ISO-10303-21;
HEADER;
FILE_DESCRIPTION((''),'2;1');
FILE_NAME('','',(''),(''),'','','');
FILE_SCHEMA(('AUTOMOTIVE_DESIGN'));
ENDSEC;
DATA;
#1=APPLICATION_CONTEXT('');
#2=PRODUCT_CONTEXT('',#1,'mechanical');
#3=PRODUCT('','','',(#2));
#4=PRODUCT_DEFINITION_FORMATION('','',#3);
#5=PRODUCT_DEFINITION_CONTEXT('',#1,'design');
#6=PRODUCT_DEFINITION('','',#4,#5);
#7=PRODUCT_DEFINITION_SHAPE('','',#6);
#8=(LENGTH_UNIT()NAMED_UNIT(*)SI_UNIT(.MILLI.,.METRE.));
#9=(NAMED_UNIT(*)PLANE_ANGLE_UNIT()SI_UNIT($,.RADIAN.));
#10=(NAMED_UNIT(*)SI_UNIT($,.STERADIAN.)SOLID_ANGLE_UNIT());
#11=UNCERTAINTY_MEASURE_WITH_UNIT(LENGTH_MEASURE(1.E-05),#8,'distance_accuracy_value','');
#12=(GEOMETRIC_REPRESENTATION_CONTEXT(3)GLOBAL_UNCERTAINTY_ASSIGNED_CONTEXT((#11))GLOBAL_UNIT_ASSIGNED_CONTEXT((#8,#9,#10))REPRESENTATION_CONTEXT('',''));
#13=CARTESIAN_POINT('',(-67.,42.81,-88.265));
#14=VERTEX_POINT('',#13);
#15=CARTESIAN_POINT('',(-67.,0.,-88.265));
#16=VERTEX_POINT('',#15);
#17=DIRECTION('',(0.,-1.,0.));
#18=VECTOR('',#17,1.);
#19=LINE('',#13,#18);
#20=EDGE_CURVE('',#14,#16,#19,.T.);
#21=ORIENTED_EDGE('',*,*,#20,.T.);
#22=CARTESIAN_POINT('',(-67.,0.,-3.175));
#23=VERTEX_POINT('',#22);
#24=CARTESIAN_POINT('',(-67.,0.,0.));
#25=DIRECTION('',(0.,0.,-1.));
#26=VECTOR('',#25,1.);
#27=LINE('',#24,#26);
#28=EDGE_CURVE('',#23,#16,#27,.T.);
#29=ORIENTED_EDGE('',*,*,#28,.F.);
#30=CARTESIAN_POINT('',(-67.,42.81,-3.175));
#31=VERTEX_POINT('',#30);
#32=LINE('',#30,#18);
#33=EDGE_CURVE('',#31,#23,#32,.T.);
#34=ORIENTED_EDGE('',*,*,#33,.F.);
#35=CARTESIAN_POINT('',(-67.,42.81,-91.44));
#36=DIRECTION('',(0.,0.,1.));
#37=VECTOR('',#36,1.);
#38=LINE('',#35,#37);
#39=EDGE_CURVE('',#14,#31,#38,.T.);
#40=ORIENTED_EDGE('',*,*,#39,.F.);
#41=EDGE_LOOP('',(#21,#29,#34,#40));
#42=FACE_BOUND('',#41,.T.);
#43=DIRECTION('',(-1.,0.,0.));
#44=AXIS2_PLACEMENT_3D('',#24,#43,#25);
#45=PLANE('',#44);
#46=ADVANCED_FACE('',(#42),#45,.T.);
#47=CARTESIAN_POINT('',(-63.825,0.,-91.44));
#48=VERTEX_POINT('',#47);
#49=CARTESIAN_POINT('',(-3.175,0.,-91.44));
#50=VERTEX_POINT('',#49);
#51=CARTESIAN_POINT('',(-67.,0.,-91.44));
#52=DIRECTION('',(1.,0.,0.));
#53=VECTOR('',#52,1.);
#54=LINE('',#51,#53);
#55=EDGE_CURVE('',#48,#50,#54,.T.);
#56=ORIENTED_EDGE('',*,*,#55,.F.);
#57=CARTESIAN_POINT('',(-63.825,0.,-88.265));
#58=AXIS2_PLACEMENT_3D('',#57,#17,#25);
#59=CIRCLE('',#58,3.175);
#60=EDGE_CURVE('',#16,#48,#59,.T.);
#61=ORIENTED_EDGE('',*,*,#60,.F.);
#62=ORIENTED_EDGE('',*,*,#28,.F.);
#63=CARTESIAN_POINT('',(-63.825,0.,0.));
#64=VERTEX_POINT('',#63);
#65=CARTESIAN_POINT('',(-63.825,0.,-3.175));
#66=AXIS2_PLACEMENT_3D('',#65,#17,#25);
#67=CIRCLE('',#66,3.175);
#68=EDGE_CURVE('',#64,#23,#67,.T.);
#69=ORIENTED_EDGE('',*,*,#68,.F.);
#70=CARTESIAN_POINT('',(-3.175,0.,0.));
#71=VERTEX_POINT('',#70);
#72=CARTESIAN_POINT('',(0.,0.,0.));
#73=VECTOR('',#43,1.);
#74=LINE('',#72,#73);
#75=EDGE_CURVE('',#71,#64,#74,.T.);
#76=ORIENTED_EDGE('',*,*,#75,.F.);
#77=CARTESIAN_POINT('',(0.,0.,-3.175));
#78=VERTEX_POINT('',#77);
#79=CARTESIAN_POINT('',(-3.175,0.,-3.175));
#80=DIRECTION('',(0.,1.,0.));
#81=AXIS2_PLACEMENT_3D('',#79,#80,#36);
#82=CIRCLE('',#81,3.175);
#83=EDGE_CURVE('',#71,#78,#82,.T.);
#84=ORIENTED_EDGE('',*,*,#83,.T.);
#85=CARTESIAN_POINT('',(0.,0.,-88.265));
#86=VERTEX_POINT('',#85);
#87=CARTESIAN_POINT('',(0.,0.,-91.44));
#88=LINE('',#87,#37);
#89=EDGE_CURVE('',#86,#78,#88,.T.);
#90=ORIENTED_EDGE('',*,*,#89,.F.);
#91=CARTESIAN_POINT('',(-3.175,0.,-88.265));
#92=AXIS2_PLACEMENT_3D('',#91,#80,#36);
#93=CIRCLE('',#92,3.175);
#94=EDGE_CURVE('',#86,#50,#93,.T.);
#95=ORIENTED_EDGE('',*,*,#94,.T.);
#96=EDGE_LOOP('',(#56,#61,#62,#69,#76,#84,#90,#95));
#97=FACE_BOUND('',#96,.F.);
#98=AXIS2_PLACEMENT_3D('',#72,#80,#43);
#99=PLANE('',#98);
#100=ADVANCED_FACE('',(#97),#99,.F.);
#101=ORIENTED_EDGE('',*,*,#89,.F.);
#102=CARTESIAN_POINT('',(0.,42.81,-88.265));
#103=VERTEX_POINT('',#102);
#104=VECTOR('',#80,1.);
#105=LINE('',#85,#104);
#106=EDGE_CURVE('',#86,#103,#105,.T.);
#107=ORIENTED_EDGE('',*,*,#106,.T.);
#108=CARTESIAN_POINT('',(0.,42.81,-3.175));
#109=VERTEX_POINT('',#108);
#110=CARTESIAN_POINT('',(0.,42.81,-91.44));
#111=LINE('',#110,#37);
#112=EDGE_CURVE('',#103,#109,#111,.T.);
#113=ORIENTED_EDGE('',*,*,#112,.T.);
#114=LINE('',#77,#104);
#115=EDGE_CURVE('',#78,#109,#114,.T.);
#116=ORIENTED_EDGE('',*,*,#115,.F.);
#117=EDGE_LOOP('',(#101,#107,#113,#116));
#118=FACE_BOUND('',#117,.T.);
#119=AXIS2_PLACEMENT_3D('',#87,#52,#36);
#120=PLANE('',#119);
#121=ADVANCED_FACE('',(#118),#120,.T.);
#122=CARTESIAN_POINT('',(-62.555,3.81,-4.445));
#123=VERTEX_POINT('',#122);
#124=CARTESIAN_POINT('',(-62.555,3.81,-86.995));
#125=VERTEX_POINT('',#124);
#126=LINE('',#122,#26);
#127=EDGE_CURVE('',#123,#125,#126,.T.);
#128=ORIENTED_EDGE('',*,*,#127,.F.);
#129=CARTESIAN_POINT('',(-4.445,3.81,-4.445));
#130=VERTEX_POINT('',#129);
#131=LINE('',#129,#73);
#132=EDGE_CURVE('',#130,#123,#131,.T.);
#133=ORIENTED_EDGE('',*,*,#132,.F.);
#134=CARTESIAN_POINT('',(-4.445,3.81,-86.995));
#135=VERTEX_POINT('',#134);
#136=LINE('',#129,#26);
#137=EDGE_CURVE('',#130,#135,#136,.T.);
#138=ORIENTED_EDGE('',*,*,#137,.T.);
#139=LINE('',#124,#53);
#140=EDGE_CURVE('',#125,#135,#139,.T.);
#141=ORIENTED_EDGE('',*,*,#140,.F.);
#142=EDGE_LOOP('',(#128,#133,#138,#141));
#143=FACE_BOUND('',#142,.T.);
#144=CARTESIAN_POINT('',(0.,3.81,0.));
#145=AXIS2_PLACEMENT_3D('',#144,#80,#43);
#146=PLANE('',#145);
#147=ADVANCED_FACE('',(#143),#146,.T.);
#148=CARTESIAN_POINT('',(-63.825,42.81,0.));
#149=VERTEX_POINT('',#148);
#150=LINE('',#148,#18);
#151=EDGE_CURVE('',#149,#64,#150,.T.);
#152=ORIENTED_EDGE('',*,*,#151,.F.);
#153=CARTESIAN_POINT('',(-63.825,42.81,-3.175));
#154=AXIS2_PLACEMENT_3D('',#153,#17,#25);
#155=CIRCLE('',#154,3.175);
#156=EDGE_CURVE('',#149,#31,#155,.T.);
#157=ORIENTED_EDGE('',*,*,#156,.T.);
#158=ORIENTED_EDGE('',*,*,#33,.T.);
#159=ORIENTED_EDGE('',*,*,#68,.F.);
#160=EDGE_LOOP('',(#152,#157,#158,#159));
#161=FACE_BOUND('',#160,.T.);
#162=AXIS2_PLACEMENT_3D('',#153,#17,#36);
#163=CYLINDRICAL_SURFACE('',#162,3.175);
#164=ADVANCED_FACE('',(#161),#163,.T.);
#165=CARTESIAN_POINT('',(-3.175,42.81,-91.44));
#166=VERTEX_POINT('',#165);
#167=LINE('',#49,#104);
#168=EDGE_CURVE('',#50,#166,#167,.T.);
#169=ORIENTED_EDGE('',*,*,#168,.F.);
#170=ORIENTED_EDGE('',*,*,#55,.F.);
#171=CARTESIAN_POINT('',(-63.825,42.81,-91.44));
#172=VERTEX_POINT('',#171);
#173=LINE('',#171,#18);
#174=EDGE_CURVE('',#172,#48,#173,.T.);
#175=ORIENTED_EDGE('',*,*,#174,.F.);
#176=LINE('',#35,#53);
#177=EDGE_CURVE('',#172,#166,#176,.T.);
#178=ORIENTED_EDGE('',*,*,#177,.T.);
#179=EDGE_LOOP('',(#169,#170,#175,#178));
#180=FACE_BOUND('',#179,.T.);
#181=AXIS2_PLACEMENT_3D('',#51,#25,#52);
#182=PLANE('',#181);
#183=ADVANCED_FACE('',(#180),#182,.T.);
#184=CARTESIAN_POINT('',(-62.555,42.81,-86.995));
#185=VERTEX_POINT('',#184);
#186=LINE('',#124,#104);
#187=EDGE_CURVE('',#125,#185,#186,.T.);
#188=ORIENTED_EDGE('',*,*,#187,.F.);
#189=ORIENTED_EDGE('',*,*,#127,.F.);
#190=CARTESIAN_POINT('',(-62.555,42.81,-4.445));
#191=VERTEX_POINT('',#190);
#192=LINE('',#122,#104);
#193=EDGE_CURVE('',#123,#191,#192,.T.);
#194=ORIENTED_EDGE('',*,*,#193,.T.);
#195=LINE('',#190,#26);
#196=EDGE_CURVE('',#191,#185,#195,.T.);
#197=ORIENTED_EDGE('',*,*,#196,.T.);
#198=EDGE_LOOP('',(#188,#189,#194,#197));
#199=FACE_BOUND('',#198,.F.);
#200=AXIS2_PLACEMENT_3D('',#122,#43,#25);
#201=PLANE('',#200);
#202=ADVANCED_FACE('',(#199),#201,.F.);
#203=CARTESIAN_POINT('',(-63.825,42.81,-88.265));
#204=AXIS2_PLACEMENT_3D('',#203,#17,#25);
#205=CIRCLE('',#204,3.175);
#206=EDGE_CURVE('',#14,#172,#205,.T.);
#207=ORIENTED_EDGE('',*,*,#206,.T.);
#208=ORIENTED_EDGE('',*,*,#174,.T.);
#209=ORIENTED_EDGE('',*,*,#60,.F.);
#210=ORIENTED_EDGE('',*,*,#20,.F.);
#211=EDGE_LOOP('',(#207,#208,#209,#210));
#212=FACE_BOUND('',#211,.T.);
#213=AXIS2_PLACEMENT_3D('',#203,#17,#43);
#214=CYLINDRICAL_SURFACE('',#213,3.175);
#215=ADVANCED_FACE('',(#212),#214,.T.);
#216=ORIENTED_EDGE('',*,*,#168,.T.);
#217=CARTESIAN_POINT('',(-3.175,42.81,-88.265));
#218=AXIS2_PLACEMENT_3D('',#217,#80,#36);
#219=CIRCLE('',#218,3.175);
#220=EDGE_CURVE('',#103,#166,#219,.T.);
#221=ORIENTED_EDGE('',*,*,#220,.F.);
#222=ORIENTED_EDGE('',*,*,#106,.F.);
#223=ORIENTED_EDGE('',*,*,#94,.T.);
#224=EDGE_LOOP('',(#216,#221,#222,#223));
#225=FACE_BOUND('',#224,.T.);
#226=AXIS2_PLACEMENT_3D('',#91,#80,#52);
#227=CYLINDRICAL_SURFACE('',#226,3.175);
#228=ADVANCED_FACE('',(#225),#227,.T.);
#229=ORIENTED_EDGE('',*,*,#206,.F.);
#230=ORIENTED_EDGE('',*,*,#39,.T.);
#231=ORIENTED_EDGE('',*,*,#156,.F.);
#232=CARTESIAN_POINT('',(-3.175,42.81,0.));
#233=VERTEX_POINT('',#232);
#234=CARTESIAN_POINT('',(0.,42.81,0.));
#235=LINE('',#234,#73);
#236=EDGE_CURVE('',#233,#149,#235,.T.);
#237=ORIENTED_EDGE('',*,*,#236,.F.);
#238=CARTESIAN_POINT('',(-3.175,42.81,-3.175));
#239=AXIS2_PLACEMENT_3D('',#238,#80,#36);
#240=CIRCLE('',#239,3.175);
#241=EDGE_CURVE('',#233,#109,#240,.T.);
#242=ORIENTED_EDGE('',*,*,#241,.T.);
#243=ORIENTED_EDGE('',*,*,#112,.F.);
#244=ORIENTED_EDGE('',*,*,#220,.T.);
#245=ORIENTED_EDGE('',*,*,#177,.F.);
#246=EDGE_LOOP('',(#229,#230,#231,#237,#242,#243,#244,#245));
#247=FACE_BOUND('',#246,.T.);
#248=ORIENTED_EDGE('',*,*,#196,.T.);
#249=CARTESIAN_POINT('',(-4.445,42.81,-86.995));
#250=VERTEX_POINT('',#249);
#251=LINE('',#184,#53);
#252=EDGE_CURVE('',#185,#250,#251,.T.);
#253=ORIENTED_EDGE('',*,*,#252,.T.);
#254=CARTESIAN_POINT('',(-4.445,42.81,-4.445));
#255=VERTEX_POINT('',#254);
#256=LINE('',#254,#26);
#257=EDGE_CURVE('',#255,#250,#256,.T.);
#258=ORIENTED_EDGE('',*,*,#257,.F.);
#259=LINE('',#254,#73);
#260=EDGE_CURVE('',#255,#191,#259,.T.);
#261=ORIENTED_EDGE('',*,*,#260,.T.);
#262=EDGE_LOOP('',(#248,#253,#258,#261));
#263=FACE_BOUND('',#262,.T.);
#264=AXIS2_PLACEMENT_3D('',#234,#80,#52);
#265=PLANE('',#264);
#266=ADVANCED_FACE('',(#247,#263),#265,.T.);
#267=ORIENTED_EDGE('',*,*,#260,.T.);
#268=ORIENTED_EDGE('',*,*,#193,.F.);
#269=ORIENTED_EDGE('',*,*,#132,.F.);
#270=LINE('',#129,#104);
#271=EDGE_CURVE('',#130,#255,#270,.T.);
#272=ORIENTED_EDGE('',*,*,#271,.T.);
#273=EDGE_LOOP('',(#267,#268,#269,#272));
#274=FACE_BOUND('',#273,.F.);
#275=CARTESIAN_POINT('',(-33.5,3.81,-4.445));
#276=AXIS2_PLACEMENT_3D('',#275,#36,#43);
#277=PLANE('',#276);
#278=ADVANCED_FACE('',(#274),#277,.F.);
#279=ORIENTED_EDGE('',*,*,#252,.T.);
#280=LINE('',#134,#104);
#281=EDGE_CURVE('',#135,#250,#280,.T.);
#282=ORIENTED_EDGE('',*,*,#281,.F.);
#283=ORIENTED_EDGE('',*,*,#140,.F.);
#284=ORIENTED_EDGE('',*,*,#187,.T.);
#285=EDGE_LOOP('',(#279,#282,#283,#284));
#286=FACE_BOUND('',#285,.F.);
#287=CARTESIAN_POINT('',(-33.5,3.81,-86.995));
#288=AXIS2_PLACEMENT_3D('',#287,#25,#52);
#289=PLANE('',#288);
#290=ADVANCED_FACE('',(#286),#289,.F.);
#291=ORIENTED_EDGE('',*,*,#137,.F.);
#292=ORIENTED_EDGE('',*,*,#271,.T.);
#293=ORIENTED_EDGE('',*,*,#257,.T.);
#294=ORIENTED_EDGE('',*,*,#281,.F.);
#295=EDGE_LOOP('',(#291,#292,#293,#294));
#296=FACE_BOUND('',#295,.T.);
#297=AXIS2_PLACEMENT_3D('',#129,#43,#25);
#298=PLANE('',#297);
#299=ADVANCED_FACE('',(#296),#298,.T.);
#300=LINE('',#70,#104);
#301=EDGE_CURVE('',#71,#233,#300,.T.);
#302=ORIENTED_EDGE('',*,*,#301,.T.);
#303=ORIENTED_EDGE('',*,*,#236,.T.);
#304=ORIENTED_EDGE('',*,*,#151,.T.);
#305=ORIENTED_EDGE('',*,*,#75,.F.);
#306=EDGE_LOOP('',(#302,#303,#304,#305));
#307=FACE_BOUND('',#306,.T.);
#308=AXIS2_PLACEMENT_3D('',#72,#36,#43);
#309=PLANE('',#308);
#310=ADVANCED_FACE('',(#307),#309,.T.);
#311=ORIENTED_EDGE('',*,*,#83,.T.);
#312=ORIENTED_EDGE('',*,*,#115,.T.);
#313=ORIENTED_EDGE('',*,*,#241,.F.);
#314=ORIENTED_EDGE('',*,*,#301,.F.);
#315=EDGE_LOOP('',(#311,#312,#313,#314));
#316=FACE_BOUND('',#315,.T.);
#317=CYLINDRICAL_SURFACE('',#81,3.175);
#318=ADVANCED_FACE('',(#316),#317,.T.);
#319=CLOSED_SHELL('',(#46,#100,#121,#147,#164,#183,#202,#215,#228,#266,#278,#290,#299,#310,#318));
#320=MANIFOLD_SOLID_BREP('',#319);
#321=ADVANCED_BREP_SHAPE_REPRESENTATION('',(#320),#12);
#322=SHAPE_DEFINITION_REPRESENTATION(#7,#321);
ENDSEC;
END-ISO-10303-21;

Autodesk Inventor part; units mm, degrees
ref_plane "YZ Plane" through (0, 0, 0) normal (1, 0, 0) x (0, 1, 0)
ref_plane "XZ Plane" through (0, 0, 0) normal (0, 1, 0) x (-1, 0, 0)
ref_plane "XY Plane" through (0, 0, 0) normal (0, 0, 1) x (1, 0, 0)
sketch "Sketch1" plane through (0, 0, 0) normal (0, 1, 0) x (-1, 0, 0)
  line L0 (0, 0) -> (67, 0)
  line L1 (67, 0) -> (67, -91.44)
  line L2 (67, -91.44) -> (0, -91.44)
  line L3 (0, -91.44) -> (0, 0)
  dimension "d0" = 91.44
  dimension "d1" = 67
extrude "Extrusion1" add sketch "Sketch1" along normal blind 3.81
sketch "Sketch3" plane through (0, 3.81, 0) normal (0, 1, 0) x (1, 0, 0)
  line L0 (-67, 0) -> (0, 0) projected
  line L1 (0, 91.44) -> (-67, 91.44) projected
  line L2 (-67, 0) -> (-59.535, 0)
  line L3 (-62.555, 4.445) -> (-62.555, 86.995)
  line L4 (-62.555, 91.44) -> (-67, 91.44)
  line L5 (-67, 91.44) -> (-67, 0)
  line L6 (-33.5, 0) -> (-33.5, 91.44) construction
  line L7 (-59.535, 0) -> (-33.5, 0)
  line L8 (-33.5, 4.445) -> (-62.555, 4.445)
  line L9 (-62.555, 91.44) -> (-33.5, 91.44)
  line L10 (-33.5, 86.995) -> (-62.555, 86.995)
  line L11 (0, 0) -> (-67, 0)
  line L12 (0, 0) -> (-7.465, 0)
  line L13 (-4.445, 4.445) -> (-4.445, 86.995)
  line L14 (-4.445, 91.44) -> (0, 91.44)
  line L15 (0, 91.44) -> (0, 0)
  line L16 (-33.5, 4.445) -> (-4.445, 4.445)
  line L17 (-4.445, 91.44) -> (-33.5, 91.44)
  line L18 (-33.5, 86.995) -> (-4.445, 86.995)
  dimension "d25" = 4.445
  dimension "d27" = 4.445
  dimension "d28" = 4.445
  dimension "d30" = 26.035
  dimension "d31" = 4.445
  dimension "d32" = 86.995
  dimension "d33" = 4.445
extrude "Extrusion2" add sketch "Sketch3" along normal blind 39
fillet "Fillet1" radius 3.175 4 edges at (-67, 21.405, -91.44) (-67, 21.405, 0) (0, 21.405, 0) (0, 21.405, -91.44)
properties part number "Case RevA"
